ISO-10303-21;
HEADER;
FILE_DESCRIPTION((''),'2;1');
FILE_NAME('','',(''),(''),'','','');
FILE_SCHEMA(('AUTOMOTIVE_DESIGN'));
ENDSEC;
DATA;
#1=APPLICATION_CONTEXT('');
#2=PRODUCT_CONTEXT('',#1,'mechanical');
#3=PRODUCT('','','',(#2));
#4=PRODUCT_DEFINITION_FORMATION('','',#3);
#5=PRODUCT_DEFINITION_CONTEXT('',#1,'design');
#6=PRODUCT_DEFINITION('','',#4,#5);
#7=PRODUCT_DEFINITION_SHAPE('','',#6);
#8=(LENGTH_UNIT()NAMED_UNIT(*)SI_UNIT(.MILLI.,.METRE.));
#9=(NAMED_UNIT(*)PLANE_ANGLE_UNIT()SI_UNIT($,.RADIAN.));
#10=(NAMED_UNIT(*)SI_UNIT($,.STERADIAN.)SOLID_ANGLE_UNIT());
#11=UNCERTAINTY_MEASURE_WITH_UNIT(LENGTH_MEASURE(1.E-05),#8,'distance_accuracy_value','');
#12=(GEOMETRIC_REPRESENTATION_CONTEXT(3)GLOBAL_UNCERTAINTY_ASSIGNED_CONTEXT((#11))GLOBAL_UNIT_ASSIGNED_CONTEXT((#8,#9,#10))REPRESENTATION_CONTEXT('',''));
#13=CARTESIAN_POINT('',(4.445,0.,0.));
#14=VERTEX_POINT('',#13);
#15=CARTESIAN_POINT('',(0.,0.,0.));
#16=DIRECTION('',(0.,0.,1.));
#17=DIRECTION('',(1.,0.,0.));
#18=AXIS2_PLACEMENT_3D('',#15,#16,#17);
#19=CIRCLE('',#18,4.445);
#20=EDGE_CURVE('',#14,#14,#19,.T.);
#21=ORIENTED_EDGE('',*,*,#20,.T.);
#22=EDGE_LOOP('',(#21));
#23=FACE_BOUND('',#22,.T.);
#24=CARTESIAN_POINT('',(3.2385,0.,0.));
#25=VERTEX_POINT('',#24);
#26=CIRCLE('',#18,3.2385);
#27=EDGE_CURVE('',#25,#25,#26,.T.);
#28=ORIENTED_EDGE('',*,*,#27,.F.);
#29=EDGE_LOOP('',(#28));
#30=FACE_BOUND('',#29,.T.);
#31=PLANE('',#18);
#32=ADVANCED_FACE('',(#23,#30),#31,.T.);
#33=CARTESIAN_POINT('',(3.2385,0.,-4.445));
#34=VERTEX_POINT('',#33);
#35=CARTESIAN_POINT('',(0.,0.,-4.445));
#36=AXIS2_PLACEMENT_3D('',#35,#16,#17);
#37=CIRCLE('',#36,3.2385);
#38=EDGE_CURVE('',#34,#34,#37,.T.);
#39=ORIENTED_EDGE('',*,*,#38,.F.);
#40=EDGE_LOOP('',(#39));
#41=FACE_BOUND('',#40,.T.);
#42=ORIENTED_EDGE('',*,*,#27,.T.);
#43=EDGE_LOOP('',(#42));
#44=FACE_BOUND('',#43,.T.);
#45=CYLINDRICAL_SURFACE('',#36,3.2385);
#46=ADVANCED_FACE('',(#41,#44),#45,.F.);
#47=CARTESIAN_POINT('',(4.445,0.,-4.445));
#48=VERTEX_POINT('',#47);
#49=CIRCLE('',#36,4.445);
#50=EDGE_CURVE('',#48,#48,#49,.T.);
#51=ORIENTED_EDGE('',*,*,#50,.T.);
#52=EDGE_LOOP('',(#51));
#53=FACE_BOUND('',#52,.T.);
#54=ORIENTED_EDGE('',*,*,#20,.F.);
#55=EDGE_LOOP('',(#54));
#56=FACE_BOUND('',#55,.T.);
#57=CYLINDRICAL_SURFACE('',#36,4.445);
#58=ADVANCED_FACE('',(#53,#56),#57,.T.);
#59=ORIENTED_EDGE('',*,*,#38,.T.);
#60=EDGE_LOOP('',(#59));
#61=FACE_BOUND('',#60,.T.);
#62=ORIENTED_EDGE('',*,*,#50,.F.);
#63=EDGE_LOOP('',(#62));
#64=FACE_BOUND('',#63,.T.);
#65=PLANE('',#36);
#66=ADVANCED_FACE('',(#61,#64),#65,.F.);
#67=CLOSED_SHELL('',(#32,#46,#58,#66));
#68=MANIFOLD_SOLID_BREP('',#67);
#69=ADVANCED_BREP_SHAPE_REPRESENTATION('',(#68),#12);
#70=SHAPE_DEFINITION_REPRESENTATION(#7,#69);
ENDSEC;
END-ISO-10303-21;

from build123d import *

# Parameters (mm, degrees)
SKETCH1_R           = 4.445
SKETCH1_R_2         = 3.2385
BOSS_EXTRUDE1_DEPTH = 4.445


with BuildPart() as part:
    # Sketch1 → Boss-Extrude1 (new body)
    with BuildSketch(Plane.XY):
        Circle(SKETCH1_R)
        Circle(SKETCH1_R_2, mode=Mode.SUBTRACT)
    extrude(amount=-BOSS_EXTRUDE1_DEPTH)


solid = part.part
